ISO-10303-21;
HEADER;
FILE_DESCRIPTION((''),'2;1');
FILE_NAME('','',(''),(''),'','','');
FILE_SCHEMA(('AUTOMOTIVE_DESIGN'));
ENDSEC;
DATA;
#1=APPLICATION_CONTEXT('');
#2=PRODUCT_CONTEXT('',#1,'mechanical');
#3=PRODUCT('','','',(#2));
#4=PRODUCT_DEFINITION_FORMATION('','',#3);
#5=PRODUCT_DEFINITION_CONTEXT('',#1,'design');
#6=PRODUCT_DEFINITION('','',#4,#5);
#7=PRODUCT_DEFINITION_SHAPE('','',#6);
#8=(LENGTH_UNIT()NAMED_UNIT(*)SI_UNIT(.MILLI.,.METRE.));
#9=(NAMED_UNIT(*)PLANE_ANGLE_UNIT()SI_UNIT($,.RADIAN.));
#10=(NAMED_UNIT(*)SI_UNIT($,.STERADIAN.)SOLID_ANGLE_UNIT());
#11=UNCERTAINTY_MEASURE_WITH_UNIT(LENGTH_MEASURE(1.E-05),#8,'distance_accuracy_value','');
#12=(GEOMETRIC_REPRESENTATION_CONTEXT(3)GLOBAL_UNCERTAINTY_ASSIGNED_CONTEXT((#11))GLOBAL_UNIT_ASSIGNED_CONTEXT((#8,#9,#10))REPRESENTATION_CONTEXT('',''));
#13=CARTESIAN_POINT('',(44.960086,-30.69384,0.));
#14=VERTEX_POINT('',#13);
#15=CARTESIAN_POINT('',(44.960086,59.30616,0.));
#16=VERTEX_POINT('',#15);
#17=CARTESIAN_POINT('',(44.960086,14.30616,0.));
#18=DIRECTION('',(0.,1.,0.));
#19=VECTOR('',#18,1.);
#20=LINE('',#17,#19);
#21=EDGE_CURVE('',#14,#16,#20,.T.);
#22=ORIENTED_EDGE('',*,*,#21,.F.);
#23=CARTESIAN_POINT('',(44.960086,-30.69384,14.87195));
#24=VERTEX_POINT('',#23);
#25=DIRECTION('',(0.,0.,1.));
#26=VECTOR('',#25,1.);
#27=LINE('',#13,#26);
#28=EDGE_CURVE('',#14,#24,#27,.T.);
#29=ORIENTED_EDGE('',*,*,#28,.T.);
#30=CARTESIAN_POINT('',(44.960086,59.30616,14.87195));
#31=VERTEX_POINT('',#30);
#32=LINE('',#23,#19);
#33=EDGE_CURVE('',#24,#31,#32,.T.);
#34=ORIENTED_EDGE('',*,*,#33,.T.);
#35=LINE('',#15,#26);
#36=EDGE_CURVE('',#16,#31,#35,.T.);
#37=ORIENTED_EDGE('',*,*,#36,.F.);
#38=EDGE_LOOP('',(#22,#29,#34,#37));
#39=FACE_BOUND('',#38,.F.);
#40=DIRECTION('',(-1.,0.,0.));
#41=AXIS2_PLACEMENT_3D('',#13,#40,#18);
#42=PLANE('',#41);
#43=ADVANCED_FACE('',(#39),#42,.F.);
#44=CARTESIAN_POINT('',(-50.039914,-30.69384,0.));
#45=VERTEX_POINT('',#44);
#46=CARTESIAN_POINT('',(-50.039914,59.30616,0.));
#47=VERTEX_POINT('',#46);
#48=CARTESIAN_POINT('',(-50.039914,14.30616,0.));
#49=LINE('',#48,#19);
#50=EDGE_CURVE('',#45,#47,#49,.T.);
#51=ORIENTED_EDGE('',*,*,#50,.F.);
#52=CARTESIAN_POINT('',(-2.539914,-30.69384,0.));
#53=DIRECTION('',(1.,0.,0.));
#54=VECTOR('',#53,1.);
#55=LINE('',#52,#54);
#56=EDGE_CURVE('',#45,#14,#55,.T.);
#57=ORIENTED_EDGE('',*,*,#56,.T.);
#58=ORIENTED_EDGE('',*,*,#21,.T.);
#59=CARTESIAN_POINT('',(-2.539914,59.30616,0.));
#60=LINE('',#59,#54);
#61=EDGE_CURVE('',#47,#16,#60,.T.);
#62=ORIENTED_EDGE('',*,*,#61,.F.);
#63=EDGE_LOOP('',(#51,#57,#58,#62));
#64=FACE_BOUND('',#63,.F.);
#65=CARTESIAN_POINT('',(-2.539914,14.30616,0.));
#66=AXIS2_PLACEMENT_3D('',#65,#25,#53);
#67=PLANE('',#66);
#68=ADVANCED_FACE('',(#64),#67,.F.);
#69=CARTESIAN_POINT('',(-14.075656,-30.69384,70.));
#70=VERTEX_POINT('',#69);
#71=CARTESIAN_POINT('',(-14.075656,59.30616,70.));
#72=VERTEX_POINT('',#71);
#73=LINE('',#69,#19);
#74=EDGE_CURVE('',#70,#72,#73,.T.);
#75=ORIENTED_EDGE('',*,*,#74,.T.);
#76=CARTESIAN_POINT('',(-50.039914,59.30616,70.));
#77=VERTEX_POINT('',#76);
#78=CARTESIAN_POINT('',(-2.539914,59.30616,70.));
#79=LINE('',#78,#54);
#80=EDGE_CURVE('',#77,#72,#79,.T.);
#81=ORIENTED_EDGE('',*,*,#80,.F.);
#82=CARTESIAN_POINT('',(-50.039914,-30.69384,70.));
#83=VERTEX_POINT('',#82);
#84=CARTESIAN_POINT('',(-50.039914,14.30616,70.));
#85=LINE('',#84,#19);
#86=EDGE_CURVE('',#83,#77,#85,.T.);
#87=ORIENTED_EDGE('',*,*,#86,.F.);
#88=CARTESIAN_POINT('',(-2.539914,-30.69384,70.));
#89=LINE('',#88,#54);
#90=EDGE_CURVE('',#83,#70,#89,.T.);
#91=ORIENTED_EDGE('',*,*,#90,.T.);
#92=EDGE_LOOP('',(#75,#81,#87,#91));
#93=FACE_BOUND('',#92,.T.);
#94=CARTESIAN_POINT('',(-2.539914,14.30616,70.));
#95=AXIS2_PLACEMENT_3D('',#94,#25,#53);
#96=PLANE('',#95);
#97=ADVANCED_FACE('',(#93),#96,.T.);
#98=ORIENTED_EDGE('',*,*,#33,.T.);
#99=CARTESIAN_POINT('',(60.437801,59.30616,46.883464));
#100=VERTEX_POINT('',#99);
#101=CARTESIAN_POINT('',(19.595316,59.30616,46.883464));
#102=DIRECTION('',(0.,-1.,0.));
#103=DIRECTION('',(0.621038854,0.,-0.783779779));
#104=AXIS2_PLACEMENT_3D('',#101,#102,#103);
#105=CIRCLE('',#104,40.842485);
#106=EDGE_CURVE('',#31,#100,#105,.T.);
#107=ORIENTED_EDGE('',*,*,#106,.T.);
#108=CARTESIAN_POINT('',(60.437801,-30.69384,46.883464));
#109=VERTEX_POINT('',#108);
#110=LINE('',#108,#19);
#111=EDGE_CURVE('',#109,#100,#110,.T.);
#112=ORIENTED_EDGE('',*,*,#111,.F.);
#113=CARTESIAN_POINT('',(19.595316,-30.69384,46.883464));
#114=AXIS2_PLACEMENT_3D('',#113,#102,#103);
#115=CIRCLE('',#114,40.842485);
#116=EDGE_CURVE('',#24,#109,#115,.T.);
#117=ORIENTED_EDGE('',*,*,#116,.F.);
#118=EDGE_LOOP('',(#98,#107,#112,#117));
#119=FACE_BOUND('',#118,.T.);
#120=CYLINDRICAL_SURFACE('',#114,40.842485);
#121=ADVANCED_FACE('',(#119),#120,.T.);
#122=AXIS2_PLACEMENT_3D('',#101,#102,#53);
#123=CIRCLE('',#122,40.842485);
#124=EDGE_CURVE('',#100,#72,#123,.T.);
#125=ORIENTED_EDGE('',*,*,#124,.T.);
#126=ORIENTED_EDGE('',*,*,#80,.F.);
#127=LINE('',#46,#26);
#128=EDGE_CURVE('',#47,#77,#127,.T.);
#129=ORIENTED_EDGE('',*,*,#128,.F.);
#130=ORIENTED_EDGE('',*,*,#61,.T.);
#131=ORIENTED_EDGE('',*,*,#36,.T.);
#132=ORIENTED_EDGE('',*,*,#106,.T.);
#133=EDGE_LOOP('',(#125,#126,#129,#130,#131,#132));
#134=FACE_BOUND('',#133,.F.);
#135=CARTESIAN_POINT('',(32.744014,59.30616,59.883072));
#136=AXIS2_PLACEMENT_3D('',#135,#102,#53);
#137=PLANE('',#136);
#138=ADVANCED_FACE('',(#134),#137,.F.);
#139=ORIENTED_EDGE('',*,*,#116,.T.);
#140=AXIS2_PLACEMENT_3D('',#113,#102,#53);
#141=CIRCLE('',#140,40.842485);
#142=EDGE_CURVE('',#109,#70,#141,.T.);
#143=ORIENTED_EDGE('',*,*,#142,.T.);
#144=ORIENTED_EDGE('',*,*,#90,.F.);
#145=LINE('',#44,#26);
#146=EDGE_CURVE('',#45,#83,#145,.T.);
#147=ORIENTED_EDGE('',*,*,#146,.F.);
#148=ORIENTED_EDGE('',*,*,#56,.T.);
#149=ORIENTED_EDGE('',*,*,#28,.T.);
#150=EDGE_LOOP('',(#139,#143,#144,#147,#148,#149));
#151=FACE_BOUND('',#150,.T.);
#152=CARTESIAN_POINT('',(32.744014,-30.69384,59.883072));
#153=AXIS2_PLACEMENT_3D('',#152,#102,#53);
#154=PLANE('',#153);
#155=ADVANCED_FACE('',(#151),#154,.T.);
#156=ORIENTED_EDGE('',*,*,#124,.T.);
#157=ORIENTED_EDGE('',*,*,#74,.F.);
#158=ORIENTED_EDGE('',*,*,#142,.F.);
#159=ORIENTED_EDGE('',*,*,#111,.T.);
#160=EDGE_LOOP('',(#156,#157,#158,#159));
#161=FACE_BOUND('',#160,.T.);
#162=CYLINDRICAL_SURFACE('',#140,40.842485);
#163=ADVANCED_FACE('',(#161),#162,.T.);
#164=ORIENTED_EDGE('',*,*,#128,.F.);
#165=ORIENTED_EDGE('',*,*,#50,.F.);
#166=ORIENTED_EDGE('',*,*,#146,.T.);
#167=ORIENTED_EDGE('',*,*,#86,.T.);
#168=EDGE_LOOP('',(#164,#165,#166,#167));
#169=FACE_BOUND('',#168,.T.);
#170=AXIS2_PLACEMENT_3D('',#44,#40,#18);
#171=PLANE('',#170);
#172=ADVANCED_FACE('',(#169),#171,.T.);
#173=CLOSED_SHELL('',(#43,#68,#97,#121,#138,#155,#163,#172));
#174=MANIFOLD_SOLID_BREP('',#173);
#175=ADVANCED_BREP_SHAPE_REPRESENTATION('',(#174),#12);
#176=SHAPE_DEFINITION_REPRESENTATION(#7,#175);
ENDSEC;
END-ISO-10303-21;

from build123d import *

# Parameters (mm, degrees)
F0_W     = 95
F0_H     = 90
F1_DEPTH = 70
F3_DEPTH = 90


with BuildPart() as f1:
    # F0 (on Top) → F1 (new body)
    with BuildSketch(Plane.XY):
        with Locations((-2.5399141014, 14.3061601868)):
            Rectangle(F0_W, F0_H)
    extrude(amount=F1_DEPTH)

    # F2 (on face) → F3 (join)
    with BuildSketch(Plane.XZ.offset(30.6938398132)):
        with BuildLine():
            ThreePointArc((44.9600858986, 14.8719497925), (56.3653364479, 29.1049888452), (60.4378009265, 46.8834638596))
            ThreePointArc((60.4378009265, 46.8834638596), (31.6970185026, 85.8918910248), (-14.0756563581, 70))
            Line((-14.0756563581, 70), (44.9600858986, 70))
            Line((44.9600858986, 70), (44.9600858986, 14.8719497925))
        make_face()
    extrude(amount=-F3_DEPTH)


solid = f1.part
